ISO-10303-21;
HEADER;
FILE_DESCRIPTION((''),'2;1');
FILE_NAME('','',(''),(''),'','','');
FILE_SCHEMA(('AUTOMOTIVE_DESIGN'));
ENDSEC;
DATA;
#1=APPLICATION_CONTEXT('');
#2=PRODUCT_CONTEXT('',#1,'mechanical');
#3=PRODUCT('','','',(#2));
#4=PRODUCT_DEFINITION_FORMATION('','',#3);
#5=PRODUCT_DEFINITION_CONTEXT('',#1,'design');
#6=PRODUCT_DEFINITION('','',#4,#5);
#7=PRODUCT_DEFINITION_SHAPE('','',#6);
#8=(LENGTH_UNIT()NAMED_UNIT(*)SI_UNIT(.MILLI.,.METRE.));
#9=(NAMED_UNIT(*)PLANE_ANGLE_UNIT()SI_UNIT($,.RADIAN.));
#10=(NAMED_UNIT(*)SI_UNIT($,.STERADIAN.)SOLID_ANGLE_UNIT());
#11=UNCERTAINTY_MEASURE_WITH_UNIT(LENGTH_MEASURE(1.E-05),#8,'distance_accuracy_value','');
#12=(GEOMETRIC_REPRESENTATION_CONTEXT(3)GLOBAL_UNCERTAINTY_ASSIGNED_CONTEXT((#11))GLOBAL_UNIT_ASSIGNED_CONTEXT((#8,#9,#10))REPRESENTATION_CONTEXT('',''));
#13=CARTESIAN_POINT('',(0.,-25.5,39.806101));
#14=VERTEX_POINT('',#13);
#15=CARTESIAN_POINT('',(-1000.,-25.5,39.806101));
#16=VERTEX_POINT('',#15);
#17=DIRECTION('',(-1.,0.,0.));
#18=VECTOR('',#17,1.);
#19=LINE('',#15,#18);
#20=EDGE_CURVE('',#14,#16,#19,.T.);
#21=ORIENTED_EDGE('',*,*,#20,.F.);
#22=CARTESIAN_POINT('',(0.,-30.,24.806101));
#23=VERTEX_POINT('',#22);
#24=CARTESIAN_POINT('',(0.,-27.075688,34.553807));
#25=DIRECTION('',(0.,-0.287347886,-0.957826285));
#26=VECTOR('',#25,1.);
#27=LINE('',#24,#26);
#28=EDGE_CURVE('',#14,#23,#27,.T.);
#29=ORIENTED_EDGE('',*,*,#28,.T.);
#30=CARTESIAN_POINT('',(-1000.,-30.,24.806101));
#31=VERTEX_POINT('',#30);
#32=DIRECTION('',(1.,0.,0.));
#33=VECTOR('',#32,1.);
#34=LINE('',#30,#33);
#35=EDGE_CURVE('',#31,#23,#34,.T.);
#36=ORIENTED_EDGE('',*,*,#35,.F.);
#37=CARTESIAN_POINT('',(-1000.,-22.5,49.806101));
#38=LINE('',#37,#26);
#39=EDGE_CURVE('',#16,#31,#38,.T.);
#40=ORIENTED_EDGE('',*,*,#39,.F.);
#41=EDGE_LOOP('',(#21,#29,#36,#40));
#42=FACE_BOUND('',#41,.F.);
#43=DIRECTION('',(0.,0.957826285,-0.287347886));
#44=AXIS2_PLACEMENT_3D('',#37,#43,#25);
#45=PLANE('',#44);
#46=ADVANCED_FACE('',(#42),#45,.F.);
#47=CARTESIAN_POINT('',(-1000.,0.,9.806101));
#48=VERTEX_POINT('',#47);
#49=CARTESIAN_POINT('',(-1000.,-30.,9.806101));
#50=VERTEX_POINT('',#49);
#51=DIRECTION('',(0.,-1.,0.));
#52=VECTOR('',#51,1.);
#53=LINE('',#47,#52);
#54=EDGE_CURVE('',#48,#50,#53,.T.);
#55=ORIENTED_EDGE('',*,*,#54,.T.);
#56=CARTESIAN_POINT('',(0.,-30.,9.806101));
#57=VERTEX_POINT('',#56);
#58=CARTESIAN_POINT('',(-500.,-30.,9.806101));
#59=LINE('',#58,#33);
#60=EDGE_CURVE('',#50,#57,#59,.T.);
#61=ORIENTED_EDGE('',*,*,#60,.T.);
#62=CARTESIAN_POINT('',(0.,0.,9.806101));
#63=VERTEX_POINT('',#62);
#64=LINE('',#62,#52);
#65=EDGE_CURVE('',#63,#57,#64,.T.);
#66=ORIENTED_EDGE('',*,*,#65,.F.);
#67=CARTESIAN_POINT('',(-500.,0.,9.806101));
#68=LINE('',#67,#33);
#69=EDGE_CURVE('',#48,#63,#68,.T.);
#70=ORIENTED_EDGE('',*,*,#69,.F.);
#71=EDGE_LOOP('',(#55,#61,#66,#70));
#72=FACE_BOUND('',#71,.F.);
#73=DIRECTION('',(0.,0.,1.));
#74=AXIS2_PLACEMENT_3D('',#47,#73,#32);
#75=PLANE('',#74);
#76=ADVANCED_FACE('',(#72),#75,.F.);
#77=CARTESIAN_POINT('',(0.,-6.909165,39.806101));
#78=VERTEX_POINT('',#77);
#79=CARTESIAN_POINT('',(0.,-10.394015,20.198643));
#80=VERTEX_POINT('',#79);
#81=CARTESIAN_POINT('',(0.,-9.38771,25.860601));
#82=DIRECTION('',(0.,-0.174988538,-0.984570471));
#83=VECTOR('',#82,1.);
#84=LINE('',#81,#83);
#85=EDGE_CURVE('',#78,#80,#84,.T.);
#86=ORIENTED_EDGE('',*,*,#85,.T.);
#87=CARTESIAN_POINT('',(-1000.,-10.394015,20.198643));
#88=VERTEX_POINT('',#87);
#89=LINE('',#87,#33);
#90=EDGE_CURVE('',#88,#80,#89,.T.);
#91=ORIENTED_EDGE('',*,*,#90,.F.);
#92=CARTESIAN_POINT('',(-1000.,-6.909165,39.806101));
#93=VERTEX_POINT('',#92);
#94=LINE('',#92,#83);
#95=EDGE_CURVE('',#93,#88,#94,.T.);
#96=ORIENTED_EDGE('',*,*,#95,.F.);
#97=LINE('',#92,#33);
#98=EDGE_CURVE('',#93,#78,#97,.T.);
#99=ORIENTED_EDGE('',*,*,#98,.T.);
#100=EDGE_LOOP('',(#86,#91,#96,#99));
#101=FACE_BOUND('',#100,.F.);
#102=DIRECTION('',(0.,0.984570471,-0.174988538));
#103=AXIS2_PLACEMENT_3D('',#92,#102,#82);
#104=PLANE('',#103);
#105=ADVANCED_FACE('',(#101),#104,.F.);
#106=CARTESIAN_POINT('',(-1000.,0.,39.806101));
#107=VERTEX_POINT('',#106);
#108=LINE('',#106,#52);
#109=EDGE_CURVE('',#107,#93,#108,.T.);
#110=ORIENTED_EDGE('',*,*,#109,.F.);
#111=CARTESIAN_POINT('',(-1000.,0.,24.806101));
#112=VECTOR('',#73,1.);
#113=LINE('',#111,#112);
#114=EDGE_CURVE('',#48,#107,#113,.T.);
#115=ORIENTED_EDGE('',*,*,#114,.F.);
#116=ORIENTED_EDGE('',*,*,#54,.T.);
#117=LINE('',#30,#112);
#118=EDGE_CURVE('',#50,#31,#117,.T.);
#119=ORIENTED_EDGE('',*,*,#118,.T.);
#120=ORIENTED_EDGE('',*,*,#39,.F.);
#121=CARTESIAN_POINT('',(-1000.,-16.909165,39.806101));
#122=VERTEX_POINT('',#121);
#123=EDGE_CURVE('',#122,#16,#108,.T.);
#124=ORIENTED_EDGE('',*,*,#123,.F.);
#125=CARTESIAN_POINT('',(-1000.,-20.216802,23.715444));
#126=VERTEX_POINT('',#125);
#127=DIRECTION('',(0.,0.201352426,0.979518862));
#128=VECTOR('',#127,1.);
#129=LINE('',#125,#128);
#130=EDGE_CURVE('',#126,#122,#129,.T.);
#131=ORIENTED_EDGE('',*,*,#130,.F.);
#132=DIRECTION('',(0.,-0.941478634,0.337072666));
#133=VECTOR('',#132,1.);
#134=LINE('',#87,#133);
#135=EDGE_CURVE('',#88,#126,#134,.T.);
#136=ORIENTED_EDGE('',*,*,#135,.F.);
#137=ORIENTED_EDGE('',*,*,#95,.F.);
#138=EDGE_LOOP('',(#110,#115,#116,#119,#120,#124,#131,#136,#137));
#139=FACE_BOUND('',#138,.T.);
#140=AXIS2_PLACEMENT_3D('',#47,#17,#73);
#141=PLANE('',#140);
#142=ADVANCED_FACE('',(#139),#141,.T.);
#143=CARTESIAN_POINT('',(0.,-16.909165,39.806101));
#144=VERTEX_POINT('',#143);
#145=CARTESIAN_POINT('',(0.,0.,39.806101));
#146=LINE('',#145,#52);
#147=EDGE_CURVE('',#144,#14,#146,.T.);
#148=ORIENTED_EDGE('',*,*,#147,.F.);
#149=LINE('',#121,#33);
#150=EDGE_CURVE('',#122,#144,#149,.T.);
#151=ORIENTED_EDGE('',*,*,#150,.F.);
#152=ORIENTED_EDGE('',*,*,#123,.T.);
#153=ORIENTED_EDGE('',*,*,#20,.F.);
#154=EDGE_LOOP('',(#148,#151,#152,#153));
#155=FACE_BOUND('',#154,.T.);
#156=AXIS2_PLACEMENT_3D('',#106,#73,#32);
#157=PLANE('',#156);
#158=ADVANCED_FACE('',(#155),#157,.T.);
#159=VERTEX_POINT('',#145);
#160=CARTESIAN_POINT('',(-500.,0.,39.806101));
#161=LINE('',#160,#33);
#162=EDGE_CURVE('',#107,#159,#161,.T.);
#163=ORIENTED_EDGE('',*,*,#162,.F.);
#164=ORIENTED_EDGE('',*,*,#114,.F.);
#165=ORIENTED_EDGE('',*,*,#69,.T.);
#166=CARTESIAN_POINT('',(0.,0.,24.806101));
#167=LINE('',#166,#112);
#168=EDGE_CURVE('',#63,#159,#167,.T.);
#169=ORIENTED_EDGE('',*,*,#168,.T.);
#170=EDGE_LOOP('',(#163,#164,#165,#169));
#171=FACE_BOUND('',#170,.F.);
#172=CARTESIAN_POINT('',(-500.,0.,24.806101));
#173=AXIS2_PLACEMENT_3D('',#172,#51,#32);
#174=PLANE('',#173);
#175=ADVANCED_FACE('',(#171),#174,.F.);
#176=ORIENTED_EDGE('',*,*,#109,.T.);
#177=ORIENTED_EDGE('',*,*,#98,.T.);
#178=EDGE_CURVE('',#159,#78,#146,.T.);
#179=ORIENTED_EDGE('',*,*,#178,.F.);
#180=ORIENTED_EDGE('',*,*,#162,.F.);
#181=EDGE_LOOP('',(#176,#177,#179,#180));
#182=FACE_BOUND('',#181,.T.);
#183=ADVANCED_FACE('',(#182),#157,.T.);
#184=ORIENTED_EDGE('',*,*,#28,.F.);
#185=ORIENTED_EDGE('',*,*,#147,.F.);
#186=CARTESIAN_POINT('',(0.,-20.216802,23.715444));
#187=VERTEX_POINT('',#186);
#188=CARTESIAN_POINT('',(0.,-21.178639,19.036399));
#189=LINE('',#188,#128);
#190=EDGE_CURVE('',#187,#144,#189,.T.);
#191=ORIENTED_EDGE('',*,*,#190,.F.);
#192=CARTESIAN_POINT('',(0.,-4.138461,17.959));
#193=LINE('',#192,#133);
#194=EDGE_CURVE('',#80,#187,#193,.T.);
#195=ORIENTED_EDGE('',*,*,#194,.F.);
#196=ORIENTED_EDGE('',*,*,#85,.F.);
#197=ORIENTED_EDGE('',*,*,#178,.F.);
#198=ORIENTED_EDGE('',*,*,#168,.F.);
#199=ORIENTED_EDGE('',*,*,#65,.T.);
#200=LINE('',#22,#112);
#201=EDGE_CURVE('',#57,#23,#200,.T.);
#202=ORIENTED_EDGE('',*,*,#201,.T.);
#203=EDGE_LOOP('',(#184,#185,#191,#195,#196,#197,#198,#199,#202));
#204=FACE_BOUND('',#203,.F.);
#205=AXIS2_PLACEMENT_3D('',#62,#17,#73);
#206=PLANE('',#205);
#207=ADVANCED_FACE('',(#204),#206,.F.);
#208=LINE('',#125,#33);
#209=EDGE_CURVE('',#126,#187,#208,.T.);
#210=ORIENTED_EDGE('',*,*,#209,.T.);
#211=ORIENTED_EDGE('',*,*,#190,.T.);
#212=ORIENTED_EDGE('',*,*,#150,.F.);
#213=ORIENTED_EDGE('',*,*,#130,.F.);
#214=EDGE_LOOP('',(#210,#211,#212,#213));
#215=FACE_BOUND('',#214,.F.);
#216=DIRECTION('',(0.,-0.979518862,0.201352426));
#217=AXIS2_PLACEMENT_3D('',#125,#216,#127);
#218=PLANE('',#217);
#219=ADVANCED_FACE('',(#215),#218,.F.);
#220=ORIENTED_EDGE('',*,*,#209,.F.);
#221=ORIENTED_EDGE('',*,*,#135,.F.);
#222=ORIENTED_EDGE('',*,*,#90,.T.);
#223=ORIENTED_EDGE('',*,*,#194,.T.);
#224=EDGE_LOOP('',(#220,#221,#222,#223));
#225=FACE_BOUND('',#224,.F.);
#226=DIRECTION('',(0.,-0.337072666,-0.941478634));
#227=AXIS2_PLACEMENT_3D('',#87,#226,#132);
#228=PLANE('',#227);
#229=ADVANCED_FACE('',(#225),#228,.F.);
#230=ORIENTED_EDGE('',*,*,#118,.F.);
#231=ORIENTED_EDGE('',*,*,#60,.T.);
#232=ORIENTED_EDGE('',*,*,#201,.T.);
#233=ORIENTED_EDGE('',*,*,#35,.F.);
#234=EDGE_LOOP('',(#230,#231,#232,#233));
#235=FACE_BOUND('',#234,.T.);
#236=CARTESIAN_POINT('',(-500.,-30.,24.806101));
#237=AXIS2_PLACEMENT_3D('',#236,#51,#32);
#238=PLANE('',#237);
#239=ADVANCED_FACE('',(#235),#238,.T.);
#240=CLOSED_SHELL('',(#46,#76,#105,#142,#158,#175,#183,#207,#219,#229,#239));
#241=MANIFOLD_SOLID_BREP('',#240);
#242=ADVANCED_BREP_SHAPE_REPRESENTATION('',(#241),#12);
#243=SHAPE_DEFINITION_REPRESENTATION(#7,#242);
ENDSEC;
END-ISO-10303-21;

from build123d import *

# Parameters (mm, degrees)
F0_W     = 1000
F0_H     = 30
F1_DEPTH = 30
F3_DEPTH = 2027
F5_DEPTH = 2087


with BuildPart() as f1:
    # F0 (on Front) → F1 (new body)
    with BuildSketch(Plane.XZ):
        with Locations((-500, 24.806101)):
            Rectangle(F0_W, F0_H)
    extrude(amount=F1_DEPTH)

    # F2 (on face) → F3 (cut)
    with BuildSketch(Plane(origin=(-1000, 0, 0), x_dir=(0, -1, 0), z_dir=(-1, 0, 0))):
        Polygon((20.216802, 23.715444), (16.909165, 39.806101), (6.909165, 39.806101), (10.394015, 20.198643), align=None)
    extrude(amount=-F3_DEPTH, mode=Mode.SUBTRACT)

    # F4 (on face) → F5 (cut)
    with BuildSketch(Plane(origin=(-1000, 0, 0), x_dir=(0, -1, 0), z_dir=(-1, 0, 0))):
        Polygon((30, 39.806101), (22.5, 49.806101), (30, 24.806101), align=None)
    extrude(amount=-F5_DEPTH, mode=Mode.SUBTRACT)


solid = f1.part
